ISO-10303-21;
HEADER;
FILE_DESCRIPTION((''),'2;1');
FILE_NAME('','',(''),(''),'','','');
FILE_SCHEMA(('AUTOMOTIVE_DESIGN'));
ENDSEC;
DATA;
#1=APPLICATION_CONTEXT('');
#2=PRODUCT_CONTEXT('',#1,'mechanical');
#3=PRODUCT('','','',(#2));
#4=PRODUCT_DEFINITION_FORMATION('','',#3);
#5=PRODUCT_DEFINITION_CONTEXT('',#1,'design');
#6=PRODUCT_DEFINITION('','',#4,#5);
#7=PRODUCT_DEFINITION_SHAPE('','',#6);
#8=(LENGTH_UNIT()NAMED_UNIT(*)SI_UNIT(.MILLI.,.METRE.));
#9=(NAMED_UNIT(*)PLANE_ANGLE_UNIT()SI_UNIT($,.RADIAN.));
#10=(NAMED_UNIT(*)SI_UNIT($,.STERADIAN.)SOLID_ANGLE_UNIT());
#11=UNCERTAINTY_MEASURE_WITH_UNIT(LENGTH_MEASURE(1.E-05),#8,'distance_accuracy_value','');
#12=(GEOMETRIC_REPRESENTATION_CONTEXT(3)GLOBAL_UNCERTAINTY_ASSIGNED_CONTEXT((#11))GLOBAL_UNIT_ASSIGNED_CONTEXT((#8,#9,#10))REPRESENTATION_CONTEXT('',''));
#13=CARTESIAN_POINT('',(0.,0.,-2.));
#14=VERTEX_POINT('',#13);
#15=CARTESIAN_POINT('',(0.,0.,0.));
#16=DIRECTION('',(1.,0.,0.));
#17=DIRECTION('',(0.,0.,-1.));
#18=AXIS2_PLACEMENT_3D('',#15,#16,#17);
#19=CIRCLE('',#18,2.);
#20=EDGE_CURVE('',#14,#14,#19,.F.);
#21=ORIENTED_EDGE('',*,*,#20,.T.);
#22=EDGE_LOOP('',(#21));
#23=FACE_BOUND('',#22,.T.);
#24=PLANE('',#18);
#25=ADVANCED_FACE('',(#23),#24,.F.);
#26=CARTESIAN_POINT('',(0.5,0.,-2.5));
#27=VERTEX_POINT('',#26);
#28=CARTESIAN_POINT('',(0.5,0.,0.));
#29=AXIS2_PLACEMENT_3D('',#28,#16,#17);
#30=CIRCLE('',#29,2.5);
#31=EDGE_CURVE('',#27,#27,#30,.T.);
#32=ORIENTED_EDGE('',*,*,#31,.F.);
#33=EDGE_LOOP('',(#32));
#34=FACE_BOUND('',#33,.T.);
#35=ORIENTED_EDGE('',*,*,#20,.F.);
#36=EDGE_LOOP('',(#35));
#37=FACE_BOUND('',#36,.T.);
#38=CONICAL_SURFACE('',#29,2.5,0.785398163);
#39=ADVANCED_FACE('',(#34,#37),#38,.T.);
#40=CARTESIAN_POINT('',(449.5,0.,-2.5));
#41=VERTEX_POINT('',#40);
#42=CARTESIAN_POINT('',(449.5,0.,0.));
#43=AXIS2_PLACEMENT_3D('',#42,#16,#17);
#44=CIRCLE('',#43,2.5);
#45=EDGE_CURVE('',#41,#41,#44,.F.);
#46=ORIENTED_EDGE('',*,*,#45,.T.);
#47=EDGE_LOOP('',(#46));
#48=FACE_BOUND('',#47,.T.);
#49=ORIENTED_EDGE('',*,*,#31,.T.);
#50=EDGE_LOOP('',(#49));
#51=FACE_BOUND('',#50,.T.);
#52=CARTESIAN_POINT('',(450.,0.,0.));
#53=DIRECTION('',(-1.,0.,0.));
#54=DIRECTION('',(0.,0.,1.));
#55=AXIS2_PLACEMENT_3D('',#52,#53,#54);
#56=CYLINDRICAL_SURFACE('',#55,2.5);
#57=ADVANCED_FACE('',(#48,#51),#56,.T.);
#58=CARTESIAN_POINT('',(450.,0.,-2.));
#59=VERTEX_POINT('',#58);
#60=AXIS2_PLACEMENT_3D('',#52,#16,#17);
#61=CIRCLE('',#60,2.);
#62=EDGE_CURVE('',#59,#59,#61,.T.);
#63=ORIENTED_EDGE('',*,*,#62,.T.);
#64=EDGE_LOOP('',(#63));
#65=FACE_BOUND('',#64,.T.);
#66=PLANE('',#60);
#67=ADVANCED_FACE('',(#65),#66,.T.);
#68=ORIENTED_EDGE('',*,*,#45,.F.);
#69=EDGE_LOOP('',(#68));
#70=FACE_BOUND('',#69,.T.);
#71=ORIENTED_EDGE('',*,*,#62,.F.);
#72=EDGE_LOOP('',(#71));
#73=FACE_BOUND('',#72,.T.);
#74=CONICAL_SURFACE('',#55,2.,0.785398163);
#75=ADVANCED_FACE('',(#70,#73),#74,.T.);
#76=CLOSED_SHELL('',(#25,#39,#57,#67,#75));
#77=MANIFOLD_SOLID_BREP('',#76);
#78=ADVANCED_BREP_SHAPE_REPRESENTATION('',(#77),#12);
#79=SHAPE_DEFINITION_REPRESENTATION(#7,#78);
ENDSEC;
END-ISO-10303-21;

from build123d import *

# Parameters (mm, degrees)
SKETCH1_R           = 2.5
BOSS_EXTRUDE1_DEPTH = 450
CHAMFER1_SIZE       = 0.5


with BuildPart() as part:
    # Sketch1 → Boss-Extrude1 (new body)
    with BuildSketch(Plane(origin=(0, 0, 0), x_dir=(0, 0, -1), z_dir=(1, 0, 0))):
        Circle(SKETCH1_R)
    extrude(amount=BOSS_EXTRUDE1_DEPTH)

    # Chamfer1
    chamfer1_edges = [part.edges().sort_by_distance(p)[0] for p in [
        (0, 0, 2.5),
        (450, 0, 2.5),
    ]]
    chamfer(chamfer1_edges, length=CHAMFER1_SIZE)


solid = part.part
